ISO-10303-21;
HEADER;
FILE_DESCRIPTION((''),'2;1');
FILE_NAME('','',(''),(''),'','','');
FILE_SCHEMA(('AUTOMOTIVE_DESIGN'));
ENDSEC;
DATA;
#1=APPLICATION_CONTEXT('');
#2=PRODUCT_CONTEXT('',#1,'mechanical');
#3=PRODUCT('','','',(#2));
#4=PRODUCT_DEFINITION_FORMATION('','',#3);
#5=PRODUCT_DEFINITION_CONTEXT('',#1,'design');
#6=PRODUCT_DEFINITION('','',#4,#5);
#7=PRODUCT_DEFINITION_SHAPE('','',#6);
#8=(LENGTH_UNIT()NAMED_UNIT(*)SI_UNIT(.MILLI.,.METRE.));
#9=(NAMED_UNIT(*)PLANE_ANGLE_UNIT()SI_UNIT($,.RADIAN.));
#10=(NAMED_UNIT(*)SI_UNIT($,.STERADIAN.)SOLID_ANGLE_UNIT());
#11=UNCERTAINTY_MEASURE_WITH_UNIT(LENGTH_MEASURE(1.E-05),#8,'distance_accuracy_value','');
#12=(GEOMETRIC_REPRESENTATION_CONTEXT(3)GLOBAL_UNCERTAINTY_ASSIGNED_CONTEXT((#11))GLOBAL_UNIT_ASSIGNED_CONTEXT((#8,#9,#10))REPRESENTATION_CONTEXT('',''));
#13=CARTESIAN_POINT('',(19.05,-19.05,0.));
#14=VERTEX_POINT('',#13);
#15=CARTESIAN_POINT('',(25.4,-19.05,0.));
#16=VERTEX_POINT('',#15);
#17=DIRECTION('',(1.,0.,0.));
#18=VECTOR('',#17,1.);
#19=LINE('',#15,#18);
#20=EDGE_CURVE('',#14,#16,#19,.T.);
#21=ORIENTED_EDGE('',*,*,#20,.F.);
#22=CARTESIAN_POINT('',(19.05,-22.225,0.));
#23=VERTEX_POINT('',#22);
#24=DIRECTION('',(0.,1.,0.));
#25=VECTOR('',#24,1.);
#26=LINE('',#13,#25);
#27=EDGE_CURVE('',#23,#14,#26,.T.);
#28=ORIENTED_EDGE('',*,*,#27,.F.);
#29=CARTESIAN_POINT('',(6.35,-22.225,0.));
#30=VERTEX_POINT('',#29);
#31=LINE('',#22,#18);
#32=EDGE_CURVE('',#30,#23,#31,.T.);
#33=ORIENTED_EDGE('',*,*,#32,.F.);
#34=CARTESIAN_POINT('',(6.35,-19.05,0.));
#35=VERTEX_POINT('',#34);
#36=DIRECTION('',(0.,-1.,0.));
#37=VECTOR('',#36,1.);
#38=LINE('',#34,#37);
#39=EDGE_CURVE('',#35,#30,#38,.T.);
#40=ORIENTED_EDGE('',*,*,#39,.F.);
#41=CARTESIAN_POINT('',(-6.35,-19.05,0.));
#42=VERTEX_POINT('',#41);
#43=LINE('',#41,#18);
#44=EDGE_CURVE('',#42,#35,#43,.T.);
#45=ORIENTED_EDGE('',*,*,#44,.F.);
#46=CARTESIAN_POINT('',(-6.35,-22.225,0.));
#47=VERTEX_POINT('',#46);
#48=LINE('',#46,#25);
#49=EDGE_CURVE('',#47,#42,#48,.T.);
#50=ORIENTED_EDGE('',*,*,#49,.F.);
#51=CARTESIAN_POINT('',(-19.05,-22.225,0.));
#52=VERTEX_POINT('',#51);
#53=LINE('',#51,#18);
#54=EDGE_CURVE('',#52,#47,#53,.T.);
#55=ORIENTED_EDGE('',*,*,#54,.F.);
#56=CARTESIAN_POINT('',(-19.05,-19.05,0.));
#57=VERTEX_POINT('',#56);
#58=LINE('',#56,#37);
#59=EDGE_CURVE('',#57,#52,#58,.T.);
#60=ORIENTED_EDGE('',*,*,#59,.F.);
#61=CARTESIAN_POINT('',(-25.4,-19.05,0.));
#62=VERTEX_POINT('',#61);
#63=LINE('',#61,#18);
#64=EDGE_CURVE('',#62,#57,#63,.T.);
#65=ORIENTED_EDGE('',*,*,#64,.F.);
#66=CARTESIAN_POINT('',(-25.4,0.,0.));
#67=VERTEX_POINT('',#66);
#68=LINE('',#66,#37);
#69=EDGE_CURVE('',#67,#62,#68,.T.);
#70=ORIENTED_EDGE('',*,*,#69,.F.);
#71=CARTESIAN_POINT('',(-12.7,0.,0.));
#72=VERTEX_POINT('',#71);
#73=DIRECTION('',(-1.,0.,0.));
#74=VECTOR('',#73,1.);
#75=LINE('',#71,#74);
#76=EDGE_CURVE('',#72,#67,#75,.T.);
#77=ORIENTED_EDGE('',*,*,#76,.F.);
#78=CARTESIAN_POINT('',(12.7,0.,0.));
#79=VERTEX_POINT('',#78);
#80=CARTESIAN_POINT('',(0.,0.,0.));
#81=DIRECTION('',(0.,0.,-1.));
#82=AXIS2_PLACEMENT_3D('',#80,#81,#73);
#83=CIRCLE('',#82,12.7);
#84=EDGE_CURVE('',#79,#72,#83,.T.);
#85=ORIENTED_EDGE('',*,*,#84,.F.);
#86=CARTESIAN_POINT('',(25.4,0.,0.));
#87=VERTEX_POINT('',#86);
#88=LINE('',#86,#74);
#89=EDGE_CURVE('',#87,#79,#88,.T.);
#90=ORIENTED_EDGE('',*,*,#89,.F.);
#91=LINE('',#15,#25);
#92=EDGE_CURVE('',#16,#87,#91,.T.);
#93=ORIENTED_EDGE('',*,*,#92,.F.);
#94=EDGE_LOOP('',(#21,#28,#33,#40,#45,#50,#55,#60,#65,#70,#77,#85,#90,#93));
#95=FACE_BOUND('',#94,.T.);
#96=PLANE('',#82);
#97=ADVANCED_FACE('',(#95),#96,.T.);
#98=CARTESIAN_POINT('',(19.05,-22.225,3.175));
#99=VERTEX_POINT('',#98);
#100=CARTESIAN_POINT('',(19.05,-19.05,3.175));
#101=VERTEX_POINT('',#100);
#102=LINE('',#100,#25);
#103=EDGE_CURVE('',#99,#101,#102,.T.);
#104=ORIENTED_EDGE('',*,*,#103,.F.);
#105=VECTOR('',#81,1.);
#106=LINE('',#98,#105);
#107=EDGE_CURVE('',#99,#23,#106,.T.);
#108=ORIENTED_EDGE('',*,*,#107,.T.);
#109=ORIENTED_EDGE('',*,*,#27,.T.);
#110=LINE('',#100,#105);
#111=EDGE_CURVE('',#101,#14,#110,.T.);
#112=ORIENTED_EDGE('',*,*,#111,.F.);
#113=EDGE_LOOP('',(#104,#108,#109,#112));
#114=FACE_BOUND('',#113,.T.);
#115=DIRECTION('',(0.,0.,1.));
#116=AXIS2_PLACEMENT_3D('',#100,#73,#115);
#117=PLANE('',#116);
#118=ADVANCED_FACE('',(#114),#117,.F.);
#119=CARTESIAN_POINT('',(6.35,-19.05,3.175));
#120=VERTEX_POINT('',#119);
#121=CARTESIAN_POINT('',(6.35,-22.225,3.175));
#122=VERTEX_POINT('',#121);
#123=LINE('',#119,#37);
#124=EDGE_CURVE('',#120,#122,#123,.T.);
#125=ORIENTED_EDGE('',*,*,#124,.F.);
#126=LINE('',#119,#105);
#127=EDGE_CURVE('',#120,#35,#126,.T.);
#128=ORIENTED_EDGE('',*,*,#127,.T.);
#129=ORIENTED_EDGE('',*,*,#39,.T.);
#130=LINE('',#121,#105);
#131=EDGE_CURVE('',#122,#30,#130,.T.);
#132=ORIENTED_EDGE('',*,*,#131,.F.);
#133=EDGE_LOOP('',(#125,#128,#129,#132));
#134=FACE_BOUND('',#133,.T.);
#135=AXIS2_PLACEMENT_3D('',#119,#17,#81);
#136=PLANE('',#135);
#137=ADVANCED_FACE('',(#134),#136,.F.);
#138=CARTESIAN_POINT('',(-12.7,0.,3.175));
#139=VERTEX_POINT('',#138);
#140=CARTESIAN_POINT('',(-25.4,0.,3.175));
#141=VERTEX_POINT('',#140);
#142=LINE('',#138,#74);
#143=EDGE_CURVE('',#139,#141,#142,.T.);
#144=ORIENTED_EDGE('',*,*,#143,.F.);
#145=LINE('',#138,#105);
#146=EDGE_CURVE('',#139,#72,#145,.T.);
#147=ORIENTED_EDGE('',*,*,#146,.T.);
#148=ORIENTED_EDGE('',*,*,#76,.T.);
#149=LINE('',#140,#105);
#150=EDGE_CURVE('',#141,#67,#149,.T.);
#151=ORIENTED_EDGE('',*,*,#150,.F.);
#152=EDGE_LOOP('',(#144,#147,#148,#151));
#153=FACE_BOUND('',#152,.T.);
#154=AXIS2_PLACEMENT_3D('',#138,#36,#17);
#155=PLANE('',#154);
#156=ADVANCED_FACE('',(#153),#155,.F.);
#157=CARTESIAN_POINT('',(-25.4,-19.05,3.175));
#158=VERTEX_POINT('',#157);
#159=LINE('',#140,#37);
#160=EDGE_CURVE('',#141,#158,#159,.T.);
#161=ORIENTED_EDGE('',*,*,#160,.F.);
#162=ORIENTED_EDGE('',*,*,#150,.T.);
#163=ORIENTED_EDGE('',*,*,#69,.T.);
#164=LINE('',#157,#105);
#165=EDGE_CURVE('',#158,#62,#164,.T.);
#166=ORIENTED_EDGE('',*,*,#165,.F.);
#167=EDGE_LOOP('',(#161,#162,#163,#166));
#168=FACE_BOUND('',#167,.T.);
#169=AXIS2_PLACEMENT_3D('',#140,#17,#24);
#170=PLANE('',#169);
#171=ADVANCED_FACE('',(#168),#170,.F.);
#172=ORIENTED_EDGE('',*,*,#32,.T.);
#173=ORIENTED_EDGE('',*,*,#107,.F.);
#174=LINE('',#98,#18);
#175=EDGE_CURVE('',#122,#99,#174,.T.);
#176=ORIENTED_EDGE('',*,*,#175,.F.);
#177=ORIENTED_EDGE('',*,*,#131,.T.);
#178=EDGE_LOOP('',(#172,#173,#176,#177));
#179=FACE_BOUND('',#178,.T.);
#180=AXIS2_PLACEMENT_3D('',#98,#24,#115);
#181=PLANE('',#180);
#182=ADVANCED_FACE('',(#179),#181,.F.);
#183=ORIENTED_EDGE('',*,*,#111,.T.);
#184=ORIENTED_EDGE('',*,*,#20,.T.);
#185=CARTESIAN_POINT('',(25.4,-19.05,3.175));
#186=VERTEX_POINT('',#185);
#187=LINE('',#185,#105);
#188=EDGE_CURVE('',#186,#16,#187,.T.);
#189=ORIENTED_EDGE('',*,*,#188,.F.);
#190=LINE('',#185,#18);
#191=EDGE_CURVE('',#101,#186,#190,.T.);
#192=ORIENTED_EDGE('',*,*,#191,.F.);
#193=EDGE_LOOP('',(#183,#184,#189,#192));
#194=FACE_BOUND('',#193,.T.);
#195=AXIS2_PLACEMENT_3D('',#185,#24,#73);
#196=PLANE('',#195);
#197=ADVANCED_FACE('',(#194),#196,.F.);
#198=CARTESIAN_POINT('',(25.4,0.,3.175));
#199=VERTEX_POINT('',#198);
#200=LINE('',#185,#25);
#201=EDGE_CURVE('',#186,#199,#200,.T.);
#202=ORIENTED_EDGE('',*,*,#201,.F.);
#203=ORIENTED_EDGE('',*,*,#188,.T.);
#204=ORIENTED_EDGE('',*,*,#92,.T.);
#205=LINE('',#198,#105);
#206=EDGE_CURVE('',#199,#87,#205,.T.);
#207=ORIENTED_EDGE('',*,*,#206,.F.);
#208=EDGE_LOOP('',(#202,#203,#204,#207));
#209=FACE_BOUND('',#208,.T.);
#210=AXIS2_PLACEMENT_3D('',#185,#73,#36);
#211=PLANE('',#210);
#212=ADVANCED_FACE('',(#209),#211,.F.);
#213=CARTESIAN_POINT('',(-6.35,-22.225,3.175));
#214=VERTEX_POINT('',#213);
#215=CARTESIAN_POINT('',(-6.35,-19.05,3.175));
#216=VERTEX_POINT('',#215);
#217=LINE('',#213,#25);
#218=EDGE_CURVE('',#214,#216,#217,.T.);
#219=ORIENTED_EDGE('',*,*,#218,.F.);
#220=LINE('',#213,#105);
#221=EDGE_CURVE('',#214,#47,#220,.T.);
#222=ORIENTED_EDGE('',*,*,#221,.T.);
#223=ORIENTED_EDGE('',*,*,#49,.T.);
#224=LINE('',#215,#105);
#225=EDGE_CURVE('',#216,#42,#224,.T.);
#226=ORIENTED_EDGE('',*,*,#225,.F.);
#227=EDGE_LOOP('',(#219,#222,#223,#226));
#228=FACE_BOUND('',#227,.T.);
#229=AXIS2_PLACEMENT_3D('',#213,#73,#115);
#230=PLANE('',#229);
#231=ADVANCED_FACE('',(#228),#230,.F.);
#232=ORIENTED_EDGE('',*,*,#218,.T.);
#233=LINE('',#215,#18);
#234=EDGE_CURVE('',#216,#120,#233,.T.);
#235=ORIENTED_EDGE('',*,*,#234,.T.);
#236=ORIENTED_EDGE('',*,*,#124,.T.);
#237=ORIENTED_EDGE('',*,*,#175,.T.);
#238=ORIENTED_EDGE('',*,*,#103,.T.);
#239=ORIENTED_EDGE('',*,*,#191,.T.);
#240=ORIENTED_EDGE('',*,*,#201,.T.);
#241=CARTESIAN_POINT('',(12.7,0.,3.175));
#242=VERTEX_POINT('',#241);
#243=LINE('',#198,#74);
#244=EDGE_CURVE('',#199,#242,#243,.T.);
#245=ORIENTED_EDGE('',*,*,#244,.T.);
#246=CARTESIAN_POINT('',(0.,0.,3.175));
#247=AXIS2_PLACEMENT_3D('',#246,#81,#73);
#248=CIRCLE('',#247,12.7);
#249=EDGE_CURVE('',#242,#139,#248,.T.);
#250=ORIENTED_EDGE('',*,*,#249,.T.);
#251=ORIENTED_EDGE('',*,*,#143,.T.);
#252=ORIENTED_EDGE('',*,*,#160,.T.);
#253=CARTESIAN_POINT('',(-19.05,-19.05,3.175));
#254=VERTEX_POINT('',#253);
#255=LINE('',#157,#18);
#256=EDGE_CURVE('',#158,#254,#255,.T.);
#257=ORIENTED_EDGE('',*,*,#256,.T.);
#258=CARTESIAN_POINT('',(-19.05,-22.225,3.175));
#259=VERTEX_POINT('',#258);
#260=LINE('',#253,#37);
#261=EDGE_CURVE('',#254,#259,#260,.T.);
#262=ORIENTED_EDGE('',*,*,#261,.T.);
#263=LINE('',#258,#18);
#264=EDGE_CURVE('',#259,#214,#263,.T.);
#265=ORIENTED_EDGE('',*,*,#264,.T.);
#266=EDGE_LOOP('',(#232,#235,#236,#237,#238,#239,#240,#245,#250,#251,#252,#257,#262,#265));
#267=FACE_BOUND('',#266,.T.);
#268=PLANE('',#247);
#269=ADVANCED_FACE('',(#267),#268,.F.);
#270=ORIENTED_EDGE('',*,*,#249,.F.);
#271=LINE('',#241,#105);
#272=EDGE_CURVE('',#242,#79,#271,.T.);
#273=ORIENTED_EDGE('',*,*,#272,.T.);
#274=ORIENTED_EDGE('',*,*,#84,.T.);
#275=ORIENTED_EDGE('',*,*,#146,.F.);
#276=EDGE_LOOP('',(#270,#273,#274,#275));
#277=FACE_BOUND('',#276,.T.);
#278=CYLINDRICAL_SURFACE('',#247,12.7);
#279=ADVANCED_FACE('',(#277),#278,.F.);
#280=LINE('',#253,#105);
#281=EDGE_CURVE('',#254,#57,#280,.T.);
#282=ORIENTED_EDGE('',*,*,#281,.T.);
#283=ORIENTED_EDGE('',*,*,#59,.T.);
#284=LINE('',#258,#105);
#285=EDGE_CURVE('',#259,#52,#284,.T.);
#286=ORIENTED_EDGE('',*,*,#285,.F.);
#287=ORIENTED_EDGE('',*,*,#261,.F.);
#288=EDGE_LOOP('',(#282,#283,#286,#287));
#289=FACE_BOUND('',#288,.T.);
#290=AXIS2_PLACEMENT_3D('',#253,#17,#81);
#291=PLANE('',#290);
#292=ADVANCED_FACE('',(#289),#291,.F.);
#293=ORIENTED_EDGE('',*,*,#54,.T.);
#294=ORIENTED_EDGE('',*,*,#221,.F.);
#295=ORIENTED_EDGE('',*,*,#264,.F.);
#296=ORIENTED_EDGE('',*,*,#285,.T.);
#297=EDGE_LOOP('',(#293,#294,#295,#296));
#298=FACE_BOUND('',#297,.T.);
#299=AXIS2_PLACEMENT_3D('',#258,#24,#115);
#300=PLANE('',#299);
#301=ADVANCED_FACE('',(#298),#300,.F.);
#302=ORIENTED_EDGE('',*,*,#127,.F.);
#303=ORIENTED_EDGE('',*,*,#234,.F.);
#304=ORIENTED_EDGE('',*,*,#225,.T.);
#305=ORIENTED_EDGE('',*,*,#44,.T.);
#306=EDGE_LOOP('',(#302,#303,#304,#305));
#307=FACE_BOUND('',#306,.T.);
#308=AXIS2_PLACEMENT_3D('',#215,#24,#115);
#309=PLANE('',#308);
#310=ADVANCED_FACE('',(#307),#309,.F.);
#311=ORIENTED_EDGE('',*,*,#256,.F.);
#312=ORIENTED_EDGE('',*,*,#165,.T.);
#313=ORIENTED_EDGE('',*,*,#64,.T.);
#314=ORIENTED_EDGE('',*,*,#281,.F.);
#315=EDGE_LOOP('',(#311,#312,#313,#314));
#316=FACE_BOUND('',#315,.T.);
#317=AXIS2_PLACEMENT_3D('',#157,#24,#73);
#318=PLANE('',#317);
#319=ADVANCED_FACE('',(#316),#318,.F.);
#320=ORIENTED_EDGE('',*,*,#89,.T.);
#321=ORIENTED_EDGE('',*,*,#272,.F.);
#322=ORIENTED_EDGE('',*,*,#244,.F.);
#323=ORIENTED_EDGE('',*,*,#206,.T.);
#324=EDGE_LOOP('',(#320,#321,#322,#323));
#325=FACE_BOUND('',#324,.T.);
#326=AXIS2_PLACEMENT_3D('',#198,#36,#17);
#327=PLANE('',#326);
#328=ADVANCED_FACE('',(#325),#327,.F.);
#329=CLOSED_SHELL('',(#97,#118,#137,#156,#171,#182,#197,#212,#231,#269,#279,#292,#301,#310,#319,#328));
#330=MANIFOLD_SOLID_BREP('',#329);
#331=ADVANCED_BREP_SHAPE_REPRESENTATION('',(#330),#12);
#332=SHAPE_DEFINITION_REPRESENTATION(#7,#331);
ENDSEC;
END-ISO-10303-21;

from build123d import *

# Parameters (mm, degrees)
BOSS_EXTRUDE1_DEPTH = 3.175


with BuildPart() as part:
    # Sketch1 → Boss-Extrude1 (new body)
    with BuildSketch(Plane.XY):
        with BuildLine():
            Line((-12.7, 0), (-25.4, 0))
            Line((-25.4, 0), (-25.4, -19.05))
            Line((-25.4, -19.05), (-19.05, -19.05))
            Line((-19.05, -19.05), (-19.05, -22.225))
            Line((-19.05, -22.225), (-6.35, -22.225))
            Line((-6.35, -22.225), (-6.35, -19.05))
            Line((-6.35, -19.05), (6.35, -19.05))
            Line((6.35, -19.05), (6.35, -22.225))
            Line((6.35, -22.225), (19.05, -22.225))
            Line((19.05, -22.225), (19.05, -19.05))
            Line((19.05, -19.05), (25.4, -19.05))
            Line((25.4, -19.05), (25.4, 0))
            Line((25.4, 0), (12.7, 0))
            ThreePointArc((12.7, 0), (0, -12.7), (-12.7, 0))
        make_face()
    extrude(amount=BOSS_EXTRUDE1_DEPTH)


solid = part.part
